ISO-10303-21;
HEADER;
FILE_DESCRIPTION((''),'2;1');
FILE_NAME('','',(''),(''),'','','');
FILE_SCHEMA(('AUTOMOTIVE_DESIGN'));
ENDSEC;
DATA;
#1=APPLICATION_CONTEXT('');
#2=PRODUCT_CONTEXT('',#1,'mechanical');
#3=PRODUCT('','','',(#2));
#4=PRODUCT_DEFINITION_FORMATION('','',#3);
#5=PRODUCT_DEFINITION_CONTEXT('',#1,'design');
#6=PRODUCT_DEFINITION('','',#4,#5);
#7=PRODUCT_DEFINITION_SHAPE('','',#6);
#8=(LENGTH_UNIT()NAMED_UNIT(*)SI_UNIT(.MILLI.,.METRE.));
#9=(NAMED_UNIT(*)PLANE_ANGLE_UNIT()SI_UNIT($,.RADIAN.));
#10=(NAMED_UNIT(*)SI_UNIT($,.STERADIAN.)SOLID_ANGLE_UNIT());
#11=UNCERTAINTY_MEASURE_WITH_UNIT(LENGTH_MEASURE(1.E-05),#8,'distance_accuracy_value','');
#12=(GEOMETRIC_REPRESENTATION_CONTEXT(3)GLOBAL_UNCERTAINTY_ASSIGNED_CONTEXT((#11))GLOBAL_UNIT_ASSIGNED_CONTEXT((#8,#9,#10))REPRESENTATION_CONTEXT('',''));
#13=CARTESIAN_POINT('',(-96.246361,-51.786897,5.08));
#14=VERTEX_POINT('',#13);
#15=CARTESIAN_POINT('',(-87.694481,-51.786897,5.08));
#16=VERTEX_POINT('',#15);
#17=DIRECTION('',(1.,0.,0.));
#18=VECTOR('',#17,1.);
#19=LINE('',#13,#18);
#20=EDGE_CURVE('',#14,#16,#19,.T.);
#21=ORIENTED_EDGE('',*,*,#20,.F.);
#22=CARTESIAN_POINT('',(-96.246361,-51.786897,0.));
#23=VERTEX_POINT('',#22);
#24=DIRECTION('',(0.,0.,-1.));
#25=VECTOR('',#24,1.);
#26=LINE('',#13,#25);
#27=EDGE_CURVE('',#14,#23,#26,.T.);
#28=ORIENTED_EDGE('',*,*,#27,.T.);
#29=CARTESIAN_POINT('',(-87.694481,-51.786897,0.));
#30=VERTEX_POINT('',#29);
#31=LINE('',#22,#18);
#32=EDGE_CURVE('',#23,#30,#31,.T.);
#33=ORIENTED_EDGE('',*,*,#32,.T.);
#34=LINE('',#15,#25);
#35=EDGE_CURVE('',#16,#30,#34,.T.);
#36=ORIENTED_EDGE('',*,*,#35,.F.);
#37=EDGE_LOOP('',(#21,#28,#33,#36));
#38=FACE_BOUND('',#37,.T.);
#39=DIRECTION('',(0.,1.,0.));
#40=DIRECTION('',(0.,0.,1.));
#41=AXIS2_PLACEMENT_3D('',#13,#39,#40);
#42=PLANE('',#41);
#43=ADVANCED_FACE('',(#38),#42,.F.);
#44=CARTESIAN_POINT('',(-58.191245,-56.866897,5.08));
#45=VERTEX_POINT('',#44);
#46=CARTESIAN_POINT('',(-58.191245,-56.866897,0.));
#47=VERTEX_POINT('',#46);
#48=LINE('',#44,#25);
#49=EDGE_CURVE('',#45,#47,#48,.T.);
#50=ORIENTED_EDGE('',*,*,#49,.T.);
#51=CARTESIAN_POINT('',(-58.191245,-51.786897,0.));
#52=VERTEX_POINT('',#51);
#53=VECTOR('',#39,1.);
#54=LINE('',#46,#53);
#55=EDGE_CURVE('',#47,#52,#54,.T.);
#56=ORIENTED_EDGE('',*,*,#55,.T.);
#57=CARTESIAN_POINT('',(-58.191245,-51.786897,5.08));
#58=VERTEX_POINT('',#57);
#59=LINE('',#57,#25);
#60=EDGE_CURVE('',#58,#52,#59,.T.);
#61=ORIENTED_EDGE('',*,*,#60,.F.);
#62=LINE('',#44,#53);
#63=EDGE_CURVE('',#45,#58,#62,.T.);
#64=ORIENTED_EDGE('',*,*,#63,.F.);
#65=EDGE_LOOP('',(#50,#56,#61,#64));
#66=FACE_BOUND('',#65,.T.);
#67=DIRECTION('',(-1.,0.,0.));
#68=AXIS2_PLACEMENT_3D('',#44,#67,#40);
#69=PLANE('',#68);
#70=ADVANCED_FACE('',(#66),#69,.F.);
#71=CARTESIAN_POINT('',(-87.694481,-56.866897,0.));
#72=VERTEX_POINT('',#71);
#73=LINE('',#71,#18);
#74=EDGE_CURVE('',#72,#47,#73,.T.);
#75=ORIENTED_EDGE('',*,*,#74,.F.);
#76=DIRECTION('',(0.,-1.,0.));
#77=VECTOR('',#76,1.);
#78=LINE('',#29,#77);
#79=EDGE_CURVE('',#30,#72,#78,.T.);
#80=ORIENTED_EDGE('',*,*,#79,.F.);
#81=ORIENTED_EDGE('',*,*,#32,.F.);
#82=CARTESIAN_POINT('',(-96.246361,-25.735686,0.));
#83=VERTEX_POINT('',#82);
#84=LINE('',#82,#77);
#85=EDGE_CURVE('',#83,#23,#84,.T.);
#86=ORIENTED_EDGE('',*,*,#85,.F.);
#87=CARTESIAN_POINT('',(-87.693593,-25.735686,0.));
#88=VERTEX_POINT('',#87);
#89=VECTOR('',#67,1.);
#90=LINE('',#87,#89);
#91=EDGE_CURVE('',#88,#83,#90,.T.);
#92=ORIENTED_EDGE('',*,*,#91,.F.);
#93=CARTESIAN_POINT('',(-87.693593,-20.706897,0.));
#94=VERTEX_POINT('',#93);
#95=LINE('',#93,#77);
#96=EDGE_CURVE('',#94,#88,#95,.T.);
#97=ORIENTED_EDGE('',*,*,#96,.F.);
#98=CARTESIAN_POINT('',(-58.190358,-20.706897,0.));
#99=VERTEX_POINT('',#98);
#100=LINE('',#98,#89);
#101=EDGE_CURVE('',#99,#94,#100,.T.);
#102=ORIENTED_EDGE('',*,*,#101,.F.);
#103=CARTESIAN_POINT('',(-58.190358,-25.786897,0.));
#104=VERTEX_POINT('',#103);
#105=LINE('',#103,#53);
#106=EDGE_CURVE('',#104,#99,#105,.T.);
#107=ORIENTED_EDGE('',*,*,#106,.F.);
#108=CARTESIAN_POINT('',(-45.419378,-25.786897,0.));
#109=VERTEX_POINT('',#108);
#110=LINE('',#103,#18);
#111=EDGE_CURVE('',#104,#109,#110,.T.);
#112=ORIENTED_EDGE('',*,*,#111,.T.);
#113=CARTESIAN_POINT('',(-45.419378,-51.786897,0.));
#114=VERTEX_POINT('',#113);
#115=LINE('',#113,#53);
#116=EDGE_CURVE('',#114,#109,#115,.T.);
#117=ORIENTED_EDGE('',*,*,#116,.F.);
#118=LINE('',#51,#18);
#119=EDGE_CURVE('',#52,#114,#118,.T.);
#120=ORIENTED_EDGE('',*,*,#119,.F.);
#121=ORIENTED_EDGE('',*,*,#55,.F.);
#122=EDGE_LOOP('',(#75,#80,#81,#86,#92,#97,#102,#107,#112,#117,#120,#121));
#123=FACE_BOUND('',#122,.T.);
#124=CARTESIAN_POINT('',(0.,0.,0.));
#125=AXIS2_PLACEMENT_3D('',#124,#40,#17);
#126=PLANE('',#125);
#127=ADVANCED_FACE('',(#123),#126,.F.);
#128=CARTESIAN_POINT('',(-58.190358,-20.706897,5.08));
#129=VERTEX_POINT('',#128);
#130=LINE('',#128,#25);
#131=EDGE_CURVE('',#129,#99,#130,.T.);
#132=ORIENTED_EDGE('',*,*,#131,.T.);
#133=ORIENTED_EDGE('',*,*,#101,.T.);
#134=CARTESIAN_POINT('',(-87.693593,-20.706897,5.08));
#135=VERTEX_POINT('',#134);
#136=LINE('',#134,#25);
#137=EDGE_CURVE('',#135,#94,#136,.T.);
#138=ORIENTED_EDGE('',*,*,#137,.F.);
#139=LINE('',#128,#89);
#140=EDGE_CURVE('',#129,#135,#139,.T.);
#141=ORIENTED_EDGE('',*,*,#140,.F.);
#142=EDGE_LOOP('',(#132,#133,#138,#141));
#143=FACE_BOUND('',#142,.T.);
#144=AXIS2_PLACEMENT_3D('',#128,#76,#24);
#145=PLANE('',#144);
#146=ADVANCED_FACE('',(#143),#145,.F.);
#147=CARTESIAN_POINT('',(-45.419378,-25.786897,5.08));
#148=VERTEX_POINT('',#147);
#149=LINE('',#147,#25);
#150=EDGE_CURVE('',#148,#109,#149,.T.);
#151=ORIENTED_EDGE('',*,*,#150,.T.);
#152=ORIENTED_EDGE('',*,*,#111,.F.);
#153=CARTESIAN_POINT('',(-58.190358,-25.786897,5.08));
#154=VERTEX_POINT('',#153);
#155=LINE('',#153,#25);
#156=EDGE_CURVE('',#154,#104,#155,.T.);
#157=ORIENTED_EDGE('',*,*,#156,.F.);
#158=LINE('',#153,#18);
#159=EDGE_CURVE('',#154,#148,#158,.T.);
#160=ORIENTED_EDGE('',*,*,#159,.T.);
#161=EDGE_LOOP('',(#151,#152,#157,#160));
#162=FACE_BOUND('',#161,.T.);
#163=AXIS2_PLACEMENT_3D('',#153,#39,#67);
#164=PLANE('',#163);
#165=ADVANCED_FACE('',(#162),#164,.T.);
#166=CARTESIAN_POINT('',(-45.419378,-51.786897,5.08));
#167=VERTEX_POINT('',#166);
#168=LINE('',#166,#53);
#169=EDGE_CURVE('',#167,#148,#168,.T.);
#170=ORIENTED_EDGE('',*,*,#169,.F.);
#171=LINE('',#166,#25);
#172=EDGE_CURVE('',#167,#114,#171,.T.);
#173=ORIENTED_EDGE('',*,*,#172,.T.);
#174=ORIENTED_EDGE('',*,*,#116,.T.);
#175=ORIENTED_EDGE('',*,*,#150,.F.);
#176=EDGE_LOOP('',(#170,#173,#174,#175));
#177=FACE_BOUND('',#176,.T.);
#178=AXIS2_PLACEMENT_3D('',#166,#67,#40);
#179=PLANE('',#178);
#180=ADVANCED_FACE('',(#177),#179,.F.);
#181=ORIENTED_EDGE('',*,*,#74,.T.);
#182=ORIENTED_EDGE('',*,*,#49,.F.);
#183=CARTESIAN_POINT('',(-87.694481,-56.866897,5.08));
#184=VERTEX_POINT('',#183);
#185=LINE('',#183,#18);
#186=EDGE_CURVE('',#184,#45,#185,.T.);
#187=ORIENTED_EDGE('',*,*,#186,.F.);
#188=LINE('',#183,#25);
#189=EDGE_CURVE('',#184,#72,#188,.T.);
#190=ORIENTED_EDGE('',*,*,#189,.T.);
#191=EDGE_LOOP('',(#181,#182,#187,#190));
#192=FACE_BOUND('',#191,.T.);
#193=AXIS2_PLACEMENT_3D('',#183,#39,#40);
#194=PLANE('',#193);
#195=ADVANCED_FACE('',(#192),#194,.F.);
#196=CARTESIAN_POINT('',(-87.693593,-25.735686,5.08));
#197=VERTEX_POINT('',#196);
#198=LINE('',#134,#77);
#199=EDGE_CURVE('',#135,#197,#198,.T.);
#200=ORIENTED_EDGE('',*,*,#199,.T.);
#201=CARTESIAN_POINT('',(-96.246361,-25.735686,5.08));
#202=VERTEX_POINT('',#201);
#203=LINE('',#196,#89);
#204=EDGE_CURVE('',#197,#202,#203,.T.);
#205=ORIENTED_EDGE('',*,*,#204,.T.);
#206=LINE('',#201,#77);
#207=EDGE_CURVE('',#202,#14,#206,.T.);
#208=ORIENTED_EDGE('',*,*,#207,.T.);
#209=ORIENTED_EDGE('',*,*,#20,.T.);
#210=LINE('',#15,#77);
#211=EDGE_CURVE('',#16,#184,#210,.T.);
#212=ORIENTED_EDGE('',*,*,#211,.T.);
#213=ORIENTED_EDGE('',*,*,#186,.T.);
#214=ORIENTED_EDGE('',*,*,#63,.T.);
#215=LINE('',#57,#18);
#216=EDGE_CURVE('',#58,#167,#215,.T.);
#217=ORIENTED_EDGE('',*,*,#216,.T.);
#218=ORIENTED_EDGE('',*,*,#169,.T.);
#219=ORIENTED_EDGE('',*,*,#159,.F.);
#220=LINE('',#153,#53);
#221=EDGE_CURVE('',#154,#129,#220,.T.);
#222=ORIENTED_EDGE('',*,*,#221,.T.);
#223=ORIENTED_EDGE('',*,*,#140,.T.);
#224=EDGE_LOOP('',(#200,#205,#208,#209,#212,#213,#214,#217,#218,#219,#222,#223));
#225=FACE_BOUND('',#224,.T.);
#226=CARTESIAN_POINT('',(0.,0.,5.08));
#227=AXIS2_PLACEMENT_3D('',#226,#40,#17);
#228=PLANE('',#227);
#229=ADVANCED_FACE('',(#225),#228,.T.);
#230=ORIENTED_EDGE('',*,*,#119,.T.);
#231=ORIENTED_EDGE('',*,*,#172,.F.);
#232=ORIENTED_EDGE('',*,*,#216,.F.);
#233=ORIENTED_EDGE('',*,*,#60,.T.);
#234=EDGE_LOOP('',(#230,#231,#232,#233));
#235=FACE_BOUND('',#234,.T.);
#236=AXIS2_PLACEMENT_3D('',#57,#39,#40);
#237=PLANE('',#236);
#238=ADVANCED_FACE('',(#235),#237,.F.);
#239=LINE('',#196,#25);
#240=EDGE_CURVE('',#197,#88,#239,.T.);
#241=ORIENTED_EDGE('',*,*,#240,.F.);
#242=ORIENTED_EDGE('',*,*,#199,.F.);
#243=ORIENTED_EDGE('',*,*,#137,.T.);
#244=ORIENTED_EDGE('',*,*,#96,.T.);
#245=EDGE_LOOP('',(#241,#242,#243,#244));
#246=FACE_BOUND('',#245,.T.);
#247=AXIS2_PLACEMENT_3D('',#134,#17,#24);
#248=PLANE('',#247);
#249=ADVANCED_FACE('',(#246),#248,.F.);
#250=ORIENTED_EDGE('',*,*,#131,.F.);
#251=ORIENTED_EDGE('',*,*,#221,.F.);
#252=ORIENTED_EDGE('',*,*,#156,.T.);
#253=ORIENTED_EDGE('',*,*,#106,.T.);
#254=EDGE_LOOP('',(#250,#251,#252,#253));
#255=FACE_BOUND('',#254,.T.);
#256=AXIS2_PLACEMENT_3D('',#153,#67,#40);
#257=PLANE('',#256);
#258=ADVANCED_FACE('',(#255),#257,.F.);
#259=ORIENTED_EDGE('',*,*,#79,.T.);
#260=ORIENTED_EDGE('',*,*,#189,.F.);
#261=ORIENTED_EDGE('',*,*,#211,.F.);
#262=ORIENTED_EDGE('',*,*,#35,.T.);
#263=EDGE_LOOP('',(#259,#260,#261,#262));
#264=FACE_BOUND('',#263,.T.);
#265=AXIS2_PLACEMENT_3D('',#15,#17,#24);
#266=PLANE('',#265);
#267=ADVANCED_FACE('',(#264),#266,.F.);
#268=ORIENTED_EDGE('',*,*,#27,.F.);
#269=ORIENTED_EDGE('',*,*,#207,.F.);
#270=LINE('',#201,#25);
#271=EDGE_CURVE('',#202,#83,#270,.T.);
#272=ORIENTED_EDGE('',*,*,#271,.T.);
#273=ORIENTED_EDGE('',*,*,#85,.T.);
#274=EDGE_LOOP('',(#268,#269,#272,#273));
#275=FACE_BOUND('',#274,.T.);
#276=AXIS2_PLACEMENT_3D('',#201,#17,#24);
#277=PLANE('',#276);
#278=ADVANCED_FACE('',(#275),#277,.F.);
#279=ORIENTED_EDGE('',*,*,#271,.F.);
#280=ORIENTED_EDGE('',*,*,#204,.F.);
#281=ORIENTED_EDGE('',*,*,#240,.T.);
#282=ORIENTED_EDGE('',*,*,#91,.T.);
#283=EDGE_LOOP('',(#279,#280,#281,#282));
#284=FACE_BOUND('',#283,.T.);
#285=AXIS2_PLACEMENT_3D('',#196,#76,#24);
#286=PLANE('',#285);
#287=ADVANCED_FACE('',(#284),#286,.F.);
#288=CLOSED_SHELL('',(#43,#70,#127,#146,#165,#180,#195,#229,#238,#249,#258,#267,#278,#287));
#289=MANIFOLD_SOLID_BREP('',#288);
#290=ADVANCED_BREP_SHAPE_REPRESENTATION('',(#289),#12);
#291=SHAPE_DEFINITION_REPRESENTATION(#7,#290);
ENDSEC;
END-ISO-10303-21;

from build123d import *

# Parameters (mm, degrees)
BOSS_EXTRUDE1_DEPTH = 5.08


with BuildPart() as part:
    # Sketch1 → Boss-Extrude1 (new body)
    with BuildSketch(Plane(origin=(0, 0, 0), x_dir=(-1, 0, 0), z_dir=(0, 0, 1))):
        Polygon((87.693593116, 20.706897394), (87.693593116, 25.735685637), (96.246360853, 25.735685637), (96.246360853, 51.786897394), (87.694480523, 51.786897394), (87.694480523, 56.866897394), (58.191245184, 56.866897394), (58.191245184, 51.786897394), (45.419377571, 51.786897394), (45.419377571, 25.786897394), (58.190357776, 25.786897394), (58.190357776, 20.706897394), align=None)
    extrude(amount=BOSS_EXTRUDE1_DEPTH)


solid = part.part
